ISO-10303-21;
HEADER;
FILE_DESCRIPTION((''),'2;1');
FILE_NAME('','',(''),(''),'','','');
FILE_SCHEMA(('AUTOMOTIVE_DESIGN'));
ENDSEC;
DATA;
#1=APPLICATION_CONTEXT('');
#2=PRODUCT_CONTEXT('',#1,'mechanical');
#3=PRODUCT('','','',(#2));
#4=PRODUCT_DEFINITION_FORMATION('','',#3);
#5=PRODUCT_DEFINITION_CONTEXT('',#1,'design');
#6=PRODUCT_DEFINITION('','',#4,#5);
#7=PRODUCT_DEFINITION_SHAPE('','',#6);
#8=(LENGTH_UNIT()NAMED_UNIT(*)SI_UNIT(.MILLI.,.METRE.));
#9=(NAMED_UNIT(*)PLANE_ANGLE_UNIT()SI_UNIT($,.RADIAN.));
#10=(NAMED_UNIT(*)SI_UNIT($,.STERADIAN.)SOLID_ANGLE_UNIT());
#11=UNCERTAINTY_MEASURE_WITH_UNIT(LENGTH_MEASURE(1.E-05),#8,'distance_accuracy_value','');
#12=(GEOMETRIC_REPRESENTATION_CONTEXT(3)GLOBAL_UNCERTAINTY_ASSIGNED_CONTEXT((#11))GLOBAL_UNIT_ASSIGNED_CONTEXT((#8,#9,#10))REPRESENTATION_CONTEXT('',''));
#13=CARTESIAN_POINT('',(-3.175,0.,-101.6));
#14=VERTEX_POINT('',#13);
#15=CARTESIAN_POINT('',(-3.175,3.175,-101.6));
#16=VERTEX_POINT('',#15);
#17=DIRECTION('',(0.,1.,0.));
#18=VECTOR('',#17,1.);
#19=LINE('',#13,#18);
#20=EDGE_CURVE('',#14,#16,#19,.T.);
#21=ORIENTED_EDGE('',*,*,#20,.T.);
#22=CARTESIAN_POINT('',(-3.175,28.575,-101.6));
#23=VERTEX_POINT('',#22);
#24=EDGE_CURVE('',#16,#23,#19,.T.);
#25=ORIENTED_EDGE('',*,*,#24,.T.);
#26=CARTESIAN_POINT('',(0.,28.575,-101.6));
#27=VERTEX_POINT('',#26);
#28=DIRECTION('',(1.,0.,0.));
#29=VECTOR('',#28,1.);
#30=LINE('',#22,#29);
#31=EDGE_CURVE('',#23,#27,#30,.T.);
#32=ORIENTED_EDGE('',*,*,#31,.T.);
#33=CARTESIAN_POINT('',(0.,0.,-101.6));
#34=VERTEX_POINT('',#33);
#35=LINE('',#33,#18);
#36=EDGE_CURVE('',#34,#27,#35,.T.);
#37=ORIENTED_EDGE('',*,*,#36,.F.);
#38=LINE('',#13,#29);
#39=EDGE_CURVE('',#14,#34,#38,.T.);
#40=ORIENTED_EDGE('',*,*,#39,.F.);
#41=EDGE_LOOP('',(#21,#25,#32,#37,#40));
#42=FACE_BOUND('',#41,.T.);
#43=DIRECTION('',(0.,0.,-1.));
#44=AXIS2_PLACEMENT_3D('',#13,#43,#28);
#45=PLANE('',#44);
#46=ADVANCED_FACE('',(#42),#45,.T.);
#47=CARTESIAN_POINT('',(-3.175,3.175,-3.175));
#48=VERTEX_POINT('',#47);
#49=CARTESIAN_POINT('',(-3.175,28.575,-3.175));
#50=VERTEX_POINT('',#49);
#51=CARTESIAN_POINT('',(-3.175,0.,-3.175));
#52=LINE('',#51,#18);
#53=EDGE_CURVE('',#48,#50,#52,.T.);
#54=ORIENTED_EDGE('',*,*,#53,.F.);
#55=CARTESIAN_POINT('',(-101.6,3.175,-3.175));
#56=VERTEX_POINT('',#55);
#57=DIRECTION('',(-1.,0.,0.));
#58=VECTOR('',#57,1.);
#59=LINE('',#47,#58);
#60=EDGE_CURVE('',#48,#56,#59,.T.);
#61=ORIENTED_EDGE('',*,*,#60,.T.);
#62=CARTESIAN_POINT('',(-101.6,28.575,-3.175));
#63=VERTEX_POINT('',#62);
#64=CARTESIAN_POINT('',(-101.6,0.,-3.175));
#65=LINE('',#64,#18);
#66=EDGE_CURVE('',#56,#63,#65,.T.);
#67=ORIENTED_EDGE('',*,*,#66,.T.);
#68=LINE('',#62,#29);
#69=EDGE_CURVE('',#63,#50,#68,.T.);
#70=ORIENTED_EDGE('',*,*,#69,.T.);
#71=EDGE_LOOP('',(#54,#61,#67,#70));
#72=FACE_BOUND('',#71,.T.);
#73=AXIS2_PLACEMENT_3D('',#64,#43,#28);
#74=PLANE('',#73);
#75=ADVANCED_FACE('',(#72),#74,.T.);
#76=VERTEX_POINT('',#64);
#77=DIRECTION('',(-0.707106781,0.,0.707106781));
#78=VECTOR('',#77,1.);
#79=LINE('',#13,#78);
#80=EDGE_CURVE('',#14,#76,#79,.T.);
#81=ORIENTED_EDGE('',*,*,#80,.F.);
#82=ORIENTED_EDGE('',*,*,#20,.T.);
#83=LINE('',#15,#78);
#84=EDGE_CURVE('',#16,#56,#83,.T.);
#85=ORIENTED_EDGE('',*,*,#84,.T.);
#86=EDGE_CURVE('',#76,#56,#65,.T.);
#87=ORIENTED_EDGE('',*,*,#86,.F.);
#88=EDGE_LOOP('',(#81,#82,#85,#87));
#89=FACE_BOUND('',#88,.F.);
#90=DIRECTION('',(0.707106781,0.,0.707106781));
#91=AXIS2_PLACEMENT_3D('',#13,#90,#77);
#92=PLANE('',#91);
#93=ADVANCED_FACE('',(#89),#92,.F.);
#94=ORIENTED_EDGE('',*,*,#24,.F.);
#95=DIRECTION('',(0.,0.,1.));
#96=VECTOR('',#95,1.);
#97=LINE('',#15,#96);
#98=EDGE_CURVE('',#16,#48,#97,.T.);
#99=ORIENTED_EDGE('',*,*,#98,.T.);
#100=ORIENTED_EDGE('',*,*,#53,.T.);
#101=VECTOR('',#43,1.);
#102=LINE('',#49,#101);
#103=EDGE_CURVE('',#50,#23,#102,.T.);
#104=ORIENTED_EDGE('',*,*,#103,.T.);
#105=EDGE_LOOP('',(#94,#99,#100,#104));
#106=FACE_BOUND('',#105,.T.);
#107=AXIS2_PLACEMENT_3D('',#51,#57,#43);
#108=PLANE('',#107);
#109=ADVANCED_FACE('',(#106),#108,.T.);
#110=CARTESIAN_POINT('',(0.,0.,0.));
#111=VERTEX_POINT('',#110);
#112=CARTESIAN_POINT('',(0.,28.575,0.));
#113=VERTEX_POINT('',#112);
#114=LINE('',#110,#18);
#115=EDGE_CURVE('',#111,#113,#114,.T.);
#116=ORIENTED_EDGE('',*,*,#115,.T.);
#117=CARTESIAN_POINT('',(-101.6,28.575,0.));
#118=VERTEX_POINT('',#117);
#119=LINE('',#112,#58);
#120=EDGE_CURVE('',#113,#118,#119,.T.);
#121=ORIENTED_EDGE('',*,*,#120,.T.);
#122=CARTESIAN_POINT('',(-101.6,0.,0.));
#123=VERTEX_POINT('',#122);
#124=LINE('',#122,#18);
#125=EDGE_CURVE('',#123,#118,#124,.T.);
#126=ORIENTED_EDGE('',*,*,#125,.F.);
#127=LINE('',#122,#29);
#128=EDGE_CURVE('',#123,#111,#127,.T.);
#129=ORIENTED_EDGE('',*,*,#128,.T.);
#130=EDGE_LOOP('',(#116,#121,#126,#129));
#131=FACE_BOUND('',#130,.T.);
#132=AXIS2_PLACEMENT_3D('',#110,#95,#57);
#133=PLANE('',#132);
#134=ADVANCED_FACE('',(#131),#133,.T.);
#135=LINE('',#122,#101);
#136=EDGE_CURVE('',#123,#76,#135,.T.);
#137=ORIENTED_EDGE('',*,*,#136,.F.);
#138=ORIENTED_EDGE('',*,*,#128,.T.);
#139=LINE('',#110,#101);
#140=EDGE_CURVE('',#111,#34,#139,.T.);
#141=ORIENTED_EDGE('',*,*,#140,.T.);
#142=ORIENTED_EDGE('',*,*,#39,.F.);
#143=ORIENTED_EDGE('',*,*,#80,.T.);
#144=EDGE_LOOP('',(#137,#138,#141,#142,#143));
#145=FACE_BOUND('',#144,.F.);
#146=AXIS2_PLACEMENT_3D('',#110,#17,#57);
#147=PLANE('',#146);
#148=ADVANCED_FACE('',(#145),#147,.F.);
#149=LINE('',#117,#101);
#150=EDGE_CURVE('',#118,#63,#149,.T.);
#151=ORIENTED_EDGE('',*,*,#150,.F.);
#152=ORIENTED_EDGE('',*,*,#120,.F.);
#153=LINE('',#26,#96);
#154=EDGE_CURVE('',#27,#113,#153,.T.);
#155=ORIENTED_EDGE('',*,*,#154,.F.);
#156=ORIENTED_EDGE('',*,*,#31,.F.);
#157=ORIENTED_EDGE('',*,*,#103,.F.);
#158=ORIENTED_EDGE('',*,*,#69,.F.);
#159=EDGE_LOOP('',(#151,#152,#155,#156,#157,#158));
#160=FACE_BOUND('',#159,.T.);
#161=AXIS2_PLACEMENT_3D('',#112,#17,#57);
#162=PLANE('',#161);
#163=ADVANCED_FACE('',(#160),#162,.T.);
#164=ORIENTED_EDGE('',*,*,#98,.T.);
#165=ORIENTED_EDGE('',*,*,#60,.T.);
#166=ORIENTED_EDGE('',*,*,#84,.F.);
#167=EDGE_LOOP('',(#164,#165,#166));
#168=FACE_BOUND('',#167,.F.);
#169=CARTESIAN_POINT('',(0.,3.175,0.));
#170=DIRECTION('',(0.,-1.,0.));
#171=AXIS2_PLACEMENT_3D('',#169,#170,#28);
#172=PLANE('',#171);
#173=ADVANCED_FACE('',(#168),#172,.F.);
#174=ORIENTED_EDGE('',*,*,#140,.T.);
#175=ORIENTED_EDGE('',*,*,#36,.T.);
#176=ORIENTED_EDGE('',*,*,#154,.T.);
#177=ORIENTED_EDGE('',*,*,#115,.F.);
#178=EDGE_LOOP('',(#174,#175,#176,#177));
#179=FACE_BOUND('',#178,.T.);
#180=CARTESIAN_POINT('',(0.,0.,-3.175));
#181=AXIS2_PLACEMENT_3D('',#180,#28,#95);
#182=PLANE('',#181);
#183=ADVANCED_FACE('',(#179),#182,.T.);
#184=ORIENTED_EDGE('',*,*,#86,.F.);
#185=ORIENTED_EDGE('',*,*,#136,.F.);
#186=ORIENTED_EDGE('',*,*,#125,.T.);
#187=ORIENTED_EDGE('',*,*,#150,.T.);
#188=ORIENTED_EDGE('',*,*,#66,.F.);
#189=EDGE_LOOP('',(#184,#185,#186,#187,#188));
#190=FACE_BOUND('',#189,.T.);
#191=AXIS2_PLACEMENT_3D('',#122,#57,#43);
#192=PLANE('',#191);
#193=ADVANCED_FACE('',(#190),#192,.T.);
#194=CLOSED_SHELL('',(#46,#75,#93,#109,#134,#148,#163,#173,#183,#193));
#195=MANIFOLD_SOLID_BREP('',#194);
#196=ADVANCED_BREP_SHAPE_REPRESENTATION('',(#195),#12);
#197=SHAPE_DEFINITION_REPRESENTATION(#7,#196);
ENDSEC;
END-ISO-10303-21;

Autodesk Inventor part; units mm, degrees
ref_plane "YZ Plane" through (0, 0, 0) normal (1, 0, 0) x (0, 1, 0)
ref_plane "XZ Plane" through (0, 0, 0) normal (0, 1, 0) x (-1, 0, 0)
ref_plane "XY Plane" through (0, 0, 0) normal (0, 0, 1) x (1, 0, 0)
sketch "Sketch1" plane through (0, 0, 0) normal (0, 1, 0) x (-1, 0, 0)
  line L0 (0, 0) -> (101.6, 0)
  line L1 (101.6, 0) -> (101.6, -3.175)
  line L2 (101.6, -3.175) -> (3.175, -3.175)
  line L3 (0, -3.175) -> (0, 0)
  line L4 (0, 0) -> (3.175, 0)
  line L5 (3.175, -3.175) -> (3.175, -101.6)
  line L6 (3.175, -101.6) -> (0, -101.6)
  line L7 (0, -101.6) -> (0, 0)
  dimension "d0" = 101.6
  dimension "d1" = 3.175
  dimension "d2" = 3.175
  dimension "d3" = 101.6
extrude "Extrusion1" add sketch "Sketch1" along normal blind 28.575
sketch "Sketch2" plane through (0, 0, 0) normal (0, -1, 0) x (1, 0, 0)
  line L0 (-3.175, -101.6) -> (-3.175, -3.175) projected
  line L1 (-3.175, -3.175) -> (-101.6, -3.175) projected
  line L2 (-3.175, -101.6) -> (-101.6, -3.175)
  point P0 (0, 0)
extrude "Extrusion2" add sketch "Sketch2" against normal blind 3.175
properties part number "Right Angle Gig"
